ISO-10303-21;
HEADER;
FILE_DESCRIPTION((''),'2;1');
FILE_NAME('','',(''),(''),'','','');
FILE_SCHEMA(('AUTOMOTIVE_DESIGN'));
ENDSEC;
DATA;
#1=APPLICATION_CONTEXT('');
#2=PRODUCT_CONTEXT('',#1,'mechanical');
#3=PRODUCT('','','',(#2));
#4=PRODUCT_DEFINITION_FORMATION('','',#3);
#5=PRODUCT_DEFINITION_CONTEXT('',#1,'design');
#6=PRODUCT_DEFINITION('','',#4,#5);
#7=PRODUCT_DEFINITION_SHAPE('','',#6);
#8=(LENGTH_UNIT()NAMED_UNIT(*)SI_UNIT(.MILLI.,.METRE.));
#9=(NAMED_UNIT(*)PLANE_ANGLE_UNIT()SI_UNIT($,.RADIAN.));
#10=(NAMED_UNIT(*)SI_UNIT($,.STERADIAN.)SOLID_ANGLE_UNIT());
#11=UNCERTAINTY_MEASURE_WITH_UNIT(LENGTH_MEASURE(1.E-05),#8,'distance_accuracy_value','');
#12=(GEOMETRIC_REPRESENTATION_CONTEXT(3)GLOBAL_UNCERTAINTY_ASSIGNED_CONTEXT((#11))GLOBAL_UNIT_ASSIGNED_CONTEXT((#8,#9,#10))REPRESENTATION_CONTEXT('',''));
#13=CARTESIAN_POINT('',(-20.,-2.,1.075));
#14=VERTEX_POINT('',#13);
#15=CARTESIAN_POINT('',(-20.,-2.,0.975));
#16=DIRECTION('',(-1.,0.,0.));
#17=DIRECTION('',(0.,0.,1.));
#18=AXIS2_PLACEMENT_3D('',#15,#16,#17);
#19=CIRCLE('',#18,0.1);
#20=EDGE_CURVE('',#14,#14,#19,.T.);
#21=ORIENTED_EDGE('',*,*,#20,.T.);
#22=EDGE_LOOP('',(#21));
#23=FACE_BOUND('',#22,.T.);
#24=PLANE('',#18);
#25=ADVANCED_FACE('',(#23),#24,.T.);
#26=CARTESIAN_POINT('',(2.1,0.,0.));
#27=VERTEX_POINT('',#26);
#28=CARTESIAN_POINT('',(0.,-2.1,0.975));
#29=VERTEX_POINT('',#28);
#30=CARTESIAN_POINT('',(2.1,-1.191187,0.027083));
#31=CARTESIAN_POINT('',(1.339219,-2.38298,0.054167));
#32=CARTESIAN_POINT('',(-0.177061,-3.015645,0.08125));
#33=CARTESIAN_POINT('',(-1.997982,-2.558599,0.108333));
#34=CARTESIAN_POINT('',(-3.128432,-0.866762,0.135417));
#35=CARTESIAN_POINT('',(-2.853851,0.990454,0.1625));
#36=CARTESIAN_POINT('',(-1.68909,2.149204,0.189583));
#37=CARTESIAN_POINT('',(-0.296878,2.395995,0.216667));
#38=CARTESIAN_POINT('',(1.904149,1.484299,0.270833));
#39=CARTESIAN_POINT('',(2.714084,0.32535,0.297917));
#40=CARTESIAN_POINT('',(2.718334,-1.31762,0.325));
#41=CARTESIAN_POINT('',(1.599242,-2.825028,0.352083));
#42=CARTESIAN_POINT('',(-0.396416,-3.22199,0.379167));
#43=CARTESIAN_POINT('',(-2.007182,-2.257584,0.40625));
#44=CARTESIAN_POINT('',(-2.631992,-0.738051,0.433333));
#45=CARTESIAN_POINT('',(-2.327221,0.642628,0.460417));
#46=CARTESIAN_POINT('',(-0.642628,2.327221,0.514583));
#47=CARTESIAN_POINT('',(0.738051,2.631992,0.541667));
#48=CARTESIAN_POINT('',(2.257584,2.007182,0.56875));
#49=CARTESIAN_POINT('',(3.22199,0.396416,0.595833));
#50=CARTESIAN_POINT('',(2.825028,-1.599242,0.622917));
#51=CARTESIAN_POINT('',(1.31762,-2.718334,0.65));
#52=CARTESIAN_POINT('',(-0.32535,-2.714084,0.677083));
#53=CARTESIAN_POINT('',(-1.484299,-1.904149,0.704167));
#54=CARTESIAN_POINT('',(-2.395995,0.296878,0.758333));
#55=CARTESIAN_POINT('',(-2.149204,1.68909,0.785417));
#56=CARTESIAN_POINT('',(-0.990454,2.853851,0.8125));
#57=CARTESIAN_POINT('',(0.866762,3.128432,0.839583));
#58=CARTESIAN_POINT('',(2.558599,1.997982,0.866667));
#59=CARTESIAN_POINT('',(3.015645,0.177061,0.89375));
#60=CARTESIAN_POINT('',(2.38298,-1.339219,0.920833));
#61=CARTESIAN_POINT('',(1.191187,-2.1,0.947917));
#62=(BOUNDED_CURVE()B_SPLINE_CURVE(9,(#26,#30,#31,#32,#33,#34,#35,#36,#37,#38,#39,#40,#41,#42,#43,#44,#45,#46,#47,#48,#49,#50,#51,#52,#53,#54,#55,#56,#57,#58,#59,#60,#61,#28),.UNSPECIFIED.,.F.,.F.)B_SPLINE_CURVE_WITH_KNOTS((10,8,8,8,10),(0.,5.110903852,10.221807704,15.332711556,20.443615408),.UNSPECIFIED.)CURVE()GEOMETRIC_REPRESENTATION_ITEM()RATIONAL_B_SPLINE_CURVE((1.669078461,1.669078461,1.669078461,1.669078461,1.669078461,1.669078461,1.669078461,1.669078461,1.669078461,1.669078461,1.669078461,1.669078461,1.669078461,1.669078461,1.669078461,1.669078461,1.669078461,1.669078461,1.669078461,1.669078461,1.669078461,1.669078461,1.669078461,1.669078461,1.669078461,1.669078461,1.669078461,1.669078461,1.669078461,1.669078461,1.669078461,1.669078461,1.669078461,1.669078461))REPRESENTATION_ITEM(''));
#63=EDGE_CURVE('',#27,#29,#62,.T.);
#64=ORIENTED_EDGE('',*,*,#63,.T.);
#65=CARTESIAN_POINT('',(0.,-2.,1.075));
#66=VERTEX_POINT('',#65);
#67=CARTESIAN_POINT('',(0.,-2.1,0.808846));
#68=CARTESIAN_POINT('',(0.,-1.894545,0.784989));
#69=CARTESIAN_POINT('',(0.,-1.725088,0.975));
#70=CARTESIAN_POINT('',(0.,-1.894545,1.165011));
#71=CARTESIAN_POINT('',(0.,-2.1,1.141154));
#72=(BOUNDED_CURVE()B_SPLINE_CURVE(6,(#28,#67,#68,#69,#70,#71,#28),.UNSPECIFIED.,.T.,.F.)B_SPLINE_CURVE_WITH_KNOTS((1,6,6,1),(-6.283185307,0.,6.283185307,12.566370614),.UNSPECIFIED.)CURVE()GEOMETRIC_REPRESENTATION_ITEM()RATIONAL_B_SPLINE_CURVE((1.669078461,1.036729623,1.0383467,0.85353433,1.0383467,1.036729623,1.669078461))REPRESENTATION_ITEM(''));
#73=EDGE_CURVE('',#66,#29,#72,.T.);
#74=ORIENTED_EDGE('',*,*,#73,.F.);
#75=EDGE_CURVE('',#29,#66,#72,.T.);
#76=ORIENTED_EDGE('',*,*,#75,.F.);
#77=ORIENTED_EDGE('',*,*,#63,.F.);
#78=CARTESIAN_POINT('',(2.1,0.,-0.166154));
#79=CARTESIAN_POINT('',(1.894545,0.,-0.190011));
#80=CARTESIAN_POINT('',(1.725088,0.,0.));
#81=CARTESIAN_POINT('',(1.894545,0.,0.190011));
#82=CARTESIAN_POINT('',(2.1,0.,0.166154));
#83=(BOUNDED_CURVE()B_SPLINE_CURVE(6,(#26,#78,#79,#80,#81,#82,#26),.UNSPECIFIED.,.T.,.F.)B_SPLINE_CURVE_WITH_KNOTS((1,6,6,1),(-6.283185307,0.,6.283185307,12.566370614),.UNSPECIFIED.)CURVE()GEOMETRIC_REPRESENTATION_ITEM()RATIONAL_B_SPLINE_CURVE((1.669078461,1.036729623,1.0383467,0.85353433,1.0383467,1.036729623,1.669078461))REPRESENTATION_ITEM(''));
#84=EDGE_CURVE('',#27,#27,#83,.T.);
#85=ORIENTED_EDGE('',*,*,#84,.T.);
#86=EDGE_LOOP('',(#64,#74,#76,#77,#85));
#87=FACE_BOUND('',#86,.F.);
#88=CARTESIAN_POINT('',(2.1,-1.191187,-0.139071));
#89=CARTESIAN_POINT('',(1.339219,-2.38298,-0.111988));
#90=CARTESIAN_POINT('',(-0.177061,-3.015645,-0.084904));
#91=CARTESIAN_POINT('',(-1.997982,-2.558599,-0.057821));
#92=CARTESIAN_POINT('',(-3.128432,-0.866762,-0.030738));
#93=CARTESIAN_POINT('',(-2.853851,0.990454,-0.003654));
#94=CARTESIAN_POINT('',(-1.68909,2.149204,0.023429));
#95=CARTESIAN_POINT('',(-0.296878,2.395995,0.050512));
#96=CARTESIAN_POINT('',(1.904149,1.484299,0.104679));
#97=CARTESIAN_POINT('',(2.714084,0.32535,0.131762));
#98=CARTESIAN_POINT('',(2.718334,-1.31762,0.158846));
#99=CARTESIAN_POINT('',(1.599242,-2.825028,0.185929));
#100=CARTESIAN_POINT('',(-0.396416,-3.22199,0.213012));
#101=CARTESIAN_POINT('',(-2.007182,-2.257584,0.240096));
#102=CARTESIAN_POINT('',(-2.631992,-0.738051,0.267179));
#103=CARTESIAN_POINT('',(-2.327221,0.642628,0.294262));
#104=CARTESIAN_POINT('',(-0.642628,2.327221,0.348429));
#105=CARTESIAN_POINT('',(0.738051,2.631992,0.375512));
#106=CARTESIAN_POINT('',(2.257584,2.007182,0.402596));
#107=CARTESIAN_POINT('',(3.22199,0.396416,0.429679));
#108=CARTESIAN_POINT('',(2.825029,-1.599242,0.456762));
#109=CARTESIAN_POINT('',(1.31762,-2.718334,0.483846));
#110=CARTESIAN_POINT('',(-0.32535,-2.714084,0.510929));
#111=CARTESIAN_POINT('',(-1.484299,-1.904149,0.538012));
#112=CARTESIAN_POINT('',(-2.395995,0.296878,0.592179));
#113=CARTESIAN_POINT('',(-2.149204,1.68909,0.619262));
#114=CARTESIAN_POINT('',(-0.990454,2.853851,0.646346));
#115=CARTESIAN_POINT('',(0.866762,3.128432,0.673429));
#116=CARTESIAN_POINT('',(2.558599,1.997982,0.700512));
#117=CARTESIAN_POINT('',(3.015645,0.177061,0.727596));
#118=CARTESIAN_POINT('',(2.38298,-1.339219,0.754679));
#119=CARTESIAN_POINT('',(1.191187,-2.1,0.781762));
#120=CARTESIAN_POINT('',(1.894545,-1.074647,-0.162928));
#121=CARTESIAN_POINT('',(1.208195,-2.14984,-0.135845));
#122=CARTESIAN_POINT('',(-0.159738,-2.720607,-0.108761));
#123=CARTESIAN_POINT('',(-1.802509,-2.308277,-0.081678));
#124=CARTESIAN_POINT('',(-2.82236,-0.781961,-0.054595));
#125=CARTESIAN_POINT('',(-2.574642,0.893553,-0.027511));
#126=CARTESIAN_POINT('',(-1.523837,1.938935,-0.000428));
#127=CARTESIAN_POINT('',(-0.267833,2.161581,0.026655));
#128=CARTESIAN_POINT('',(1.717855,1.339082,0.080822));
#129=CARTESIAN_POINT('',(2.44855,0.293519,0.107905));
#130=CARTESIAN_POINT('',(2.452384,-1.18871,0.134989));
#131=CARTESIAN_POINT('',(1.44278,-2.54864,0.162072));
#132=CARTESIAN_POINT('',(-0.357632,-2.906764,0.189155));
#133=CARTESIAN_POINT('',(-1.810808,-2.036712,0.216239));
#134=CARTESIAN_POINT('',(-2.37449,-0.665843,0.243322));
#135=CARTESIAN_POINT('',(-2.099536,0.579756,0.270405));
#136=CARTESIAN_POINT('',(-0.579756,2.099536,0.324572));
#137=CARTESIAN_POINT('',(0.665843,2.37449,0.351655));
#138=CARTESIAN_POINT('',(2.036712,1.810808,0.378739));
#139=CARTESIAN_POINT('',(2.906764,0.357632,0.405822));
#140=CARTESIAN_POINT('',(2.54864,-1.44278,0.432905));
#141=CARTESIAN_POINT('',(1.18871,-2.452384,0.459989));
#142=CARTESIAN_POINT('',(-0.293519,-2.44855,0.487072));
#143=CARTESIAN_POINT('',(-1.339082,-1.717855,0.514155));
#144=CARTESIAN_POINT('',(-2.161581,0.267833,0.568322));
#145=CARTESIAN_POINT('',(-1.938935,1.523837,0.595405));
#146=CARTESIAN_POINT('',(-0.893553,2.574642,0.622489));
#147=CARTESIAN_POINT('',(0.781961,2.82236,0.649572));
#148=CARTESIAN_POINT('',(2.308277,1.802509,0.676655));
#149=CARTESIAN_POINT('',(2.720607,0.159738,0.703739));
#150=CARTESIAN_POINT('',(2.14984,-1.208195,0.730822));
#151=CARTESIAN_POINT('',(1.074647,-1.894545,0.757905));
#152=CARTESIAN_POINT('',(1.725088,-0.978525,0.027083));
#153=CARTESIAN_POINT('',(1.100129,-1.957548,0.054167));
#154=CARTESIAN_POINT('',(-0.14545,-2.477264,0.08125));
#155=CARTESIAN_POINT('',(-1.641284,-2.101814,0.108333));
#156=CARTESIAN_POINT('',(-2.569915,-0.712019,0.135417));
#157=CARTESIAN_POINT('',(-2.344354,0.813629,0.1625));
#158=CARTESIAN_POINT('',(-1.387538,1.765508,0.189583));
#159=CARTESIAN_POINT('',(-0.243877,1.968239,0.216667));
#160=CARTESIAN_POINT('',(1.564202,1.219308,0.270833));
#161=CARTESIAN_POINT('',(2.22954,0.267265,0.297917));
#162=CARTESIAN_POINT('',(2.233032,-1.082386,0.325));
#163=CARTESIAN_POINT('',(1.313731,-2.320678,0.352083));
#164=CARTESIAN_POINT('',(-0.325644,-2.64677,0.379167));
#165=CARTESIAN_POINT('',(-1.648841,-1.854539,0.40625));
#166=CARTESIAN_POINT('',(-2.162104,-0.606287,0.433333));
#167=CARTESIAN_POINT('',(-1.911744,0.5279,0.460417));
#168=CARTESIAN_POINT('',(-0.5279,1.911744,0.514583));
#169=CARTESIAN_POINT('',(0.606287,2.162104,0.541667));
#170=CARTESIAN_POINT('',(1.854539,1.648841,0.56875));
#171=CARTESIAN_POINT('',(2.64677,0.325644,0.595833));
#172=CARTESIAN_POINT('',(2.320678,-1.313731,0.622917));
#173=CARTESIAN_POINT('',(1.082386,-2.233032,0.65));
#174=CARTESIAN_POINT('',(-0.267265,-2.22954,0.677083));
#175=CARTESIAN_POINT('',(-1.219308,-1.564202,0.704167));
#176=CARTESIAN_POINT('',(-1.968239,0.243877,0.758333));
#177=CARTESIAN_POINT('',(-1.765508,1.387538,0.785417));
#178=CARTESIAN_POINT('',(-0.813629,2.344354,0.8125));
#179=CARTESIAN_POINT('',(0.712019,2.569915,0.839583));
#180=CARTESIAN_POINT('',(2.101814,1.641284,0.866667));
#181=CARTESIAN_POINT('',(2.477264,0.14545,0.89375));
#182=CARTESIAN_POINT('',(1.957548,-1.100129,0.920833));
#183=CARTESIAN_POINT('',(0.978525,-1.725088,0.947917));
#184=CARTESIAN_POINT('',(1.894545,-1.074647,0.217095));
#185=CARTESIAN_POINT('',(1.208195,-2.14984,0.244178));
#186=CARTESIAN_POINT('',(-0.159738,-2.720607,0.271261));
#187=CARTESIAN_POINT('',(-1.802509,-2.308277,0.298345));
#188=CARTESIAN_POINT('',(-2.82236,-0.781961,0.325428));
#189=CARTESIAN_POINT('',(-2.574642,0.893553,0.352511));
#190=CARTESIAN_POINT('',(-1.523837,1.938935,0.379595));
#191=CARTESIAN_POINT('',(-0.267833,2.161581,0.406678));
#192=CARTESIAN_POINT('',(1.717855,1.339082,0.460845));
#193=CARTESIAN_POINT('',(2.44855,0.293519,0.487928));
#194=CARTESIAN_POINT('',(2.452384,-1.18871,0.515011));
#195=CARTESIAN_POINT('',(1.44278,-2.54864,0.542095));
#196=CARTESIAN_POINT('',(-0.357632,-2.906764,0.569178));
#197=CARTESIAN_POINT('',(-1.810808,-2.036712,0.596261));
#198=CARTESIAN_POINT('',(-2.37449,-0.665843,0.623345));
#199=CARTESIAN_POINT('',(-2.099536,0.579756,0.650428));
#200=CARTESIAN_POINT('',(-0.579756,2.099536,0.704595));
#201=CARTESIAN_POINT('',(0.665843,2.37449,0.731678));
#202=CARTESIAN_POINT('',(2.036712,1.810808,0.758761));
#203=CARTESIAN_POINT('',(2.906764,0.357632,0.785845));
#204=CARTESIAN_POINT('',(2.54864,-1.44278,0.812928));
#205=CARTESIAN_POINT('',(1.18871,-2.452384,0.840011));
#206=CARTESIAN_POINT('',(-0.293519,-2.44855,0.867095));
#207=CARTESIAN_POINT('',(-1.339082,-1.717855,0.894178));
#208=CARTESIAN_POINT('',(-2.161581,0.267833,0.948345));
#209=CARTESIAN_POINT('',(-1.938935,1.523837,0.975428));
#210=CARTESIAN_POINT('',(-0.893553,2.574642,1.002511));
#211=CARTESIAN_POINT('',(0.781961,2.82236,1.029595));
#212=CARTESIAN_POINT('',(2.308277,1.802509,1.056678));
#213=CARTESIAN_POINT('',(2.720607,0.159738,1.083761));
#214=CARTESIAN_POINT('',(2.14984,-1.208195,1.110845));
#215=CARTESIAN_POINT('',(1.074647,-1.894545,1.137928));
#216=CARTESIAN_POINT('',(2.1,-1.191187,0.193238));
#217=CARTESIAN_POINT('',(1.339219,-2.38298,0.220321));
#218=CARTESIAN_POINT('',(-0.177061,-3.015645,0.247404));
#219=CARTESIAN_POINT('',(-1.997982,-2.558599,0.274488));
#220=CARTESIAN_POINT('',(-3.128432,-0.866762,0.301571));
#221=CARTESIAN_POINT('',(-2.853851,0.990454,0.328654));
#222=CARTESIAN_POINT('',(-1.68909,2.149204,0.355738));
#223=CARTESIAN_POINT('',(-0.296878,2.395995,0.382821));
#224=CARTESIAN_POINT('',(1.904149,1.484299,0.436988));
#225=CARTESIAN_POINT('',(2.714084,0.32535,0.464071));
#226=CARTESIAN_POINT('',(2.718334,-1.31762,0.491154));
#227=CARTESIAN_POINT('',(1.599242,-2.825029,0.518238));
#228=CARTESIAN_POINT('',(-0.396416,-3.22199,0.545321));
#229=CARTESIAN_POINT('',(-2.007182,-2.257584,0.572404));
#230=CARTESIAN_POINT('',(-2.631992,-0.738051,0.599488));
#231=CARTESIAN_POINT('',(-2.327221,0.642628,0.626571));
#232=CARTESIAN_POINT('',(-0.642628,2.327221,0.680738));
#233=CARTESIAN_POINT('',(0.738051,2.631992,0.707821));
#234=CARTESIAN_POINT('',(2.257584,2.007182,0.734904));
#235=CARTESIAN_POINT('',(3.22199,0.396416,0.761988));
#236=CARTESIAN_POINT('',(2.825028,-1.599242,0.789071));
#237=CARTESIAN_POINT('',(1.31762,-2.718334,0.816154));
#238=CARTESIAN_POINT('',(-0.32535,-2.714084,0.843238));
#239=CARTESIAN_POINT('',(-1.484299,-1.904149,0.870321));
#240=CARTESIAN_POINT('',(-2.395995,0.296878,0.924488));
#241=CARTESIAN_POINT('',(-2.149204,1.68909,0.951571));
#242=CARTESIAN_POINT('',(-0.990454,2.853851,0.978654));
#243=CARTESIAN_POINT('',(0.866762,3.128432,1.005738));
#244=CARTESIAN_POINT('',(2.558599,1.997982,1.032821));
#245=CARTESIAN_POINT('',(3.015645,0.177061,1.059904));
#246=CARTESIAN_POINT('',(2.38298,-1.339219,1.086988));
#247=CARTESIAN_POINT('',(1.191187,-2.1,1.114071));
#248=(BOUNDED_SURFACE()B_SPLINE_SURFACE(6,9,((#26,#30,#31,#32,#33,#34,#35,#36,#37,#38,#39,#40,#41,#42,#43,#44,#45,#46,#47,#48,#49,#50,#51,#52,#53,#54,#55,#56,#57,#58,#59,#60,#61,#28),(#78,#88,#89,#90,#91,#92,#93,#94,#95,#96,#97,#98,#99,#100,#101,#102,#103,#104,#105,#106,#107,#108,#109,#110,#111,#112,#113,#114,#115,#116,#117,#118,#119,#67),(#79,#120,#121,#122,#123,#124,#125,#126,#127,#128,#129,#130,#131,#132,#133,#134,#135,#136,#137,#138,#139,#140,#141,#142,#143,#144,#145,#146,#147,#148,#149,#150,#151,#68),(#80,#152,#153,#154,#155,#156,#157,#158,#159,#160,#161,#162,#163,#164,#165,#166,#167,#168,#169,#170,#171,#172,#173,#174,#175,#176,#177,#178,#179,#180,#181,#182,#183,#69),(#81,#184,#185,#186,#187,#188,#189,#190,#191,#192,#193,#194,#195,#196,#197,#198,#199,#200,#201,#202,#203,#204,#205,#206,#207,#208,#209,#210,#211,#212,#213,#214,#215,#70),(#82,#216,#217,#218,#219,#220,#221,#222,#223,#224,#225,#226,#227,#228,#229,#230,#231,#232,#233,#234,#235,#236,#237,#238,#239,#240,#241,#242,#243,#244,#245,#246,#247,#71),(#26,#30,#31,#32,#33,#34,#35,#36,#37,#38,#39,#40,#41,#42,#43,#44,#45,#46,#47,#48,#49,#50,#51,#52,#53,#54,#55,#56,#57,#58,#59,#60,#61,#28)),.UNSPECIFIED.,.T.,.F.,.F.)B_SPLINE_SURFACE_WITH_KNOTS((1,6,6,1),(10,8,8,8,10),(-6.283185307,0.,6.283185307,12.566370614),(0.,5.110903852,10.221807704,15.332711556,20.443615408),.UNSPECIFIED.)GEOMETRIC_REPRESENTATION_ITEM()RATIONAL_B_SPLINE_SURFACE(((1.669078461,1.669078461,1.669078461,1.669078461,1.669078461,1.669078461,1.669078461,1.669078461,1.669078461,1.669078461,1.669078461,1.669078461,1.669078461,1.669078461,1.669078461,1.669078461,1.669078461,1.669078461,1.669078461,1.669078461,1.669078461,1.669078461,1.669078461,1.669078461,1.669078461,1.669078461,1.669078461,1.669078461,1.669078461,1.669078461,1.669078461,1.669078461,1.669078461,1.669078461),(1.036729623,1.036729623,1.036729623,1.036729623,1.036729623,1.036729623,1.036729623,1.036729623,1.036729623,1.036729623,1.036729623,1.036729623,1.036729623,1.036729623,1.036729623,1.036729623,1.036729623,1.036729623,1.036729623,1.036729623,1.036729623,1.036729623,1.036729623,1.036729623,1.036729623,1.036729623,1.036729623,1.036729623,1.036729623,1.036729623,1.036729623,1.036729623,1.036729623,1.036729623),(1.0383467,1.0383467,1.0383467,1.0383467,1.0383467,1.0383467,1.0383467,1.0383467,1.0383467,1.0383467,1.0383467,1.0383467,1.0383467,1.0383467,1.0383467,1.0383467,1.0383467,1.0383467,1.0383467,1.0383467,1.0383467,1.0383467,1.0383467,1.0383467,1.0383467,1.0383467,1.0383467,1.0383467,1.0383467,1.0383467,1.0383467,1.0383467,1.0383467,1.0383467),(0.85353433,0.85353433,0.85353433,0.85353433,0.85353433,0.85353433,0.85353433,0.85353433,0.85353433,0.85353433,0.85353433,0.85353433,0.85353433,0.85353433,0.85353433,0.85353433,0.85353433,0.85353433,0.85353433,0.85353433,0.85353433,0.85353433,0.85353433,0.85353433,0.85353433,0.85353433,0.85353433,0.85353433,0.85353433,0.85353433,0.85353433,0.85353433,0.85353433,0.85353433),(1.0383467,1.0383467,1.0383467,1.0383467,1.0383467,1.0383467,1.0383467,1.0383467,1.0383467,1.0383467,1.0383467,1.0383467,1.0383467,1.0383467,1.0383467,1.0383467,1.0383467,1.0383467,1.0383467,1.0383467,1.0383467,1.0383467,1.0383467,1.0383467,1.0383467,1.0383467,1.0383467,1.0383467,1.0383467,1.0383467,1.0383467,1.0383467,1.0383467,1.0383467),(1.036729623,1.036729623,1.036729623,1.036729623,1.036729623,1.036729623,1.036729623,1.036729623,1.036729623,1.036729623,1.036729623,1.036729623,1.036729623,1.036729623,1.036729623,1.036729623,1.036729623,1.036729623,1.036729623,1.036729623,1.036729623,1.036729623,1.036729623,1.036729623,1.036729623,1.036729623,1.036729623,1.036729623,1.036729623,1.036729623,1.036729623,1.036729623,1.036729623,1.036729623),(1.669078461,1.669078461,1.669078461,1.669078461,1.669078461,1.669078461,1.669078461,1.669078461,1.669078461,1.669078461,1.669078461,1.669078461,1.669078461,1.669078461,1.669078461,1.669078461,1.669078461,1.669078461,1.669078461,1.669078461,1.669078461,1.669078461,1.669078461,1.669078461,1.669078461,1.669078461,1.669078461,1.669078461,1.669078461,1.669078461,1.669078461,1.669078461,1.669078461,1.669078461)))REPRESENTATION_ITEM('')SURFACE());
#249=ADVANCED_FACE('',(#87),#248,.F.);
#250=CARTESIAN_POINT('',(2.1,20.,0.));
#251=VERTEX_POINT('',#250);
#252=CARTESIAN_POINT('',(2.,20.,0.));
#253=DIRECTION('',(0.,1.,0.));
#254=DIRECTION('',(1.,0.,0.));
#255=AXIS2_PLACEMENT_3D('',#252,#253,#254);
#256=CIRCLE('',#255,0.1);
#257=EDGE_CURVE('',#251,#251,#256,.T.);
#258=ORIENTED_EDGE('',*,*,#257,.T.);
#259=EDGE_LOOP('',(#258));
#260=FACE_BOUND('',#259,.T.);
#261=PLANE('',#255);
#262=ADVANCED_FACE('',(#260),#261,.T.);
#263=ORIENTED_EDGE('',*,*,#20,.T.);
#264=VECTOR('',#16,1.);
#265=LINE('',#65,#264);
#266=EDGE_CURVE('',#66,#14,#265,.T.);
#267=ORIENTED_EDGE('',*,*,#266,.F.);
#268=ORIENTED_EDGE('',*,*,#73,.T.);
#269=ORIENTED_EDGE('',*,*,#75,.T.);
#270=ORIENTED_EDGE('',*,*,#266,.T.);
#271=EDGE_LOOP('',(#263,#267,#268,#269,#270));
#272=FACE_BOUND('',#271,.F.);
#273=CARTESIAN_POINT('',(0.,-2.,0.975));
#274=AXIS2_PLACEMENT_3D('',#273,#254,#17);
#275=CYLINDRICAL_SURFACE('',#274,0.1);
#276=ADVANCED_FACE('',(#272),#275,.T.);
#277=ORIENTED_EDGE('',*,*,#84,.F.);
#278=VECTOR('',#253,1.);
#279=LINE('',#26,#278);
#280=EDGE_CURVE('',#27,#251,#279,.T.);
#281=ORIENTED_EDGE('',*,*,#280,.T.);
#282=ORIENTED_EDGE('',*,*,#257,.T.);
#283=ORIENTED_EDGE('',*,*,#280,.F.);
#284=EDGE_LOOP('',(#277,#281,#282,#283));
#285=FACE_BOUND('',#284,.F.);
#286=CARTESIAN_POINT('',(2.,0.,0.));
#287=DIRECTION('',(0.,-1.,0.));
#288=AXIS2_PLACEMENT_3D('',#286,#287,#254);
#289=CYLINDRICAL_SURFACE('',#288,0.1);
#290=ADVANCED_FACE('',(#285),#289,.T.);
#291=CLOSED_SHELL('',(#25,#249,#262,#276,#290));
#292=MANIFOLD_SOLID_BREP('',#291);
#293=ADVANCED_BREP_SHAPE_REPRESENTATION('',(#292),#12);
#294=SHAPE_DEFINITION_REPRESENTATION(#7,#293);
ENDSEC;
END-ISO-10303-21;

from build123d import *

# Parameters (mm, degrees)
SWEEP_1_PITCH   = 0.3
SWEEP_1_HEIGHT  = 0.975
SWEEP_1_RADIUS  = 2
SKETCH_3_R      = 0.1
SKETCH_5_R      = 0.1
EXTRUDE_2_DEPTH = 20
SKETCH_6_R      = 0.1
EXTRUDE_3_DEPTH = 20


with BuildPart() as part:
    # 扫描1: sweep along a helix
    with BuildLine() as sweep_1_path:
        Helix(SWEEP_1_PITCH, SWEEP_1_HEIGHT, SWEEP_1_RADIUS, center=(0, 0, 0), direction=(0, 0, 1), lefthand=True)
    # 草图3 → 扫描1 (sweep)
    with BuildSketch(Plane(origin=(0, 0, 0), x_dir=(1, 0, 0), z_dir=(0, 1, 0))):
        with Locations((2, 0)):
            Circle(SKETCH_3_R)
    sweep(path=sweep_1_path.line, is_frenet=True)

    # 草图5 → 凸台-拉伸2 (add)
    with BuildSketch(Plane(origin=(0, 0, 0), x_dir=(1, 0, 0), z_dir=(0, 1, 0))):
        with Locations((2, 0)):
            Circle(SKETCH_5_R)
    extrude(amount=EXTRUDE_2_DEPTH)

    # 草图6 → 凸台-拉伸3 (add)
    with BuildSketch(Plane.ZY):
        with Locations((0.975, -2)):
            Circle(SKETCH_6_R)
    extrude(amount=EXTRUDE_3_DEPTH)


solid = part.part
